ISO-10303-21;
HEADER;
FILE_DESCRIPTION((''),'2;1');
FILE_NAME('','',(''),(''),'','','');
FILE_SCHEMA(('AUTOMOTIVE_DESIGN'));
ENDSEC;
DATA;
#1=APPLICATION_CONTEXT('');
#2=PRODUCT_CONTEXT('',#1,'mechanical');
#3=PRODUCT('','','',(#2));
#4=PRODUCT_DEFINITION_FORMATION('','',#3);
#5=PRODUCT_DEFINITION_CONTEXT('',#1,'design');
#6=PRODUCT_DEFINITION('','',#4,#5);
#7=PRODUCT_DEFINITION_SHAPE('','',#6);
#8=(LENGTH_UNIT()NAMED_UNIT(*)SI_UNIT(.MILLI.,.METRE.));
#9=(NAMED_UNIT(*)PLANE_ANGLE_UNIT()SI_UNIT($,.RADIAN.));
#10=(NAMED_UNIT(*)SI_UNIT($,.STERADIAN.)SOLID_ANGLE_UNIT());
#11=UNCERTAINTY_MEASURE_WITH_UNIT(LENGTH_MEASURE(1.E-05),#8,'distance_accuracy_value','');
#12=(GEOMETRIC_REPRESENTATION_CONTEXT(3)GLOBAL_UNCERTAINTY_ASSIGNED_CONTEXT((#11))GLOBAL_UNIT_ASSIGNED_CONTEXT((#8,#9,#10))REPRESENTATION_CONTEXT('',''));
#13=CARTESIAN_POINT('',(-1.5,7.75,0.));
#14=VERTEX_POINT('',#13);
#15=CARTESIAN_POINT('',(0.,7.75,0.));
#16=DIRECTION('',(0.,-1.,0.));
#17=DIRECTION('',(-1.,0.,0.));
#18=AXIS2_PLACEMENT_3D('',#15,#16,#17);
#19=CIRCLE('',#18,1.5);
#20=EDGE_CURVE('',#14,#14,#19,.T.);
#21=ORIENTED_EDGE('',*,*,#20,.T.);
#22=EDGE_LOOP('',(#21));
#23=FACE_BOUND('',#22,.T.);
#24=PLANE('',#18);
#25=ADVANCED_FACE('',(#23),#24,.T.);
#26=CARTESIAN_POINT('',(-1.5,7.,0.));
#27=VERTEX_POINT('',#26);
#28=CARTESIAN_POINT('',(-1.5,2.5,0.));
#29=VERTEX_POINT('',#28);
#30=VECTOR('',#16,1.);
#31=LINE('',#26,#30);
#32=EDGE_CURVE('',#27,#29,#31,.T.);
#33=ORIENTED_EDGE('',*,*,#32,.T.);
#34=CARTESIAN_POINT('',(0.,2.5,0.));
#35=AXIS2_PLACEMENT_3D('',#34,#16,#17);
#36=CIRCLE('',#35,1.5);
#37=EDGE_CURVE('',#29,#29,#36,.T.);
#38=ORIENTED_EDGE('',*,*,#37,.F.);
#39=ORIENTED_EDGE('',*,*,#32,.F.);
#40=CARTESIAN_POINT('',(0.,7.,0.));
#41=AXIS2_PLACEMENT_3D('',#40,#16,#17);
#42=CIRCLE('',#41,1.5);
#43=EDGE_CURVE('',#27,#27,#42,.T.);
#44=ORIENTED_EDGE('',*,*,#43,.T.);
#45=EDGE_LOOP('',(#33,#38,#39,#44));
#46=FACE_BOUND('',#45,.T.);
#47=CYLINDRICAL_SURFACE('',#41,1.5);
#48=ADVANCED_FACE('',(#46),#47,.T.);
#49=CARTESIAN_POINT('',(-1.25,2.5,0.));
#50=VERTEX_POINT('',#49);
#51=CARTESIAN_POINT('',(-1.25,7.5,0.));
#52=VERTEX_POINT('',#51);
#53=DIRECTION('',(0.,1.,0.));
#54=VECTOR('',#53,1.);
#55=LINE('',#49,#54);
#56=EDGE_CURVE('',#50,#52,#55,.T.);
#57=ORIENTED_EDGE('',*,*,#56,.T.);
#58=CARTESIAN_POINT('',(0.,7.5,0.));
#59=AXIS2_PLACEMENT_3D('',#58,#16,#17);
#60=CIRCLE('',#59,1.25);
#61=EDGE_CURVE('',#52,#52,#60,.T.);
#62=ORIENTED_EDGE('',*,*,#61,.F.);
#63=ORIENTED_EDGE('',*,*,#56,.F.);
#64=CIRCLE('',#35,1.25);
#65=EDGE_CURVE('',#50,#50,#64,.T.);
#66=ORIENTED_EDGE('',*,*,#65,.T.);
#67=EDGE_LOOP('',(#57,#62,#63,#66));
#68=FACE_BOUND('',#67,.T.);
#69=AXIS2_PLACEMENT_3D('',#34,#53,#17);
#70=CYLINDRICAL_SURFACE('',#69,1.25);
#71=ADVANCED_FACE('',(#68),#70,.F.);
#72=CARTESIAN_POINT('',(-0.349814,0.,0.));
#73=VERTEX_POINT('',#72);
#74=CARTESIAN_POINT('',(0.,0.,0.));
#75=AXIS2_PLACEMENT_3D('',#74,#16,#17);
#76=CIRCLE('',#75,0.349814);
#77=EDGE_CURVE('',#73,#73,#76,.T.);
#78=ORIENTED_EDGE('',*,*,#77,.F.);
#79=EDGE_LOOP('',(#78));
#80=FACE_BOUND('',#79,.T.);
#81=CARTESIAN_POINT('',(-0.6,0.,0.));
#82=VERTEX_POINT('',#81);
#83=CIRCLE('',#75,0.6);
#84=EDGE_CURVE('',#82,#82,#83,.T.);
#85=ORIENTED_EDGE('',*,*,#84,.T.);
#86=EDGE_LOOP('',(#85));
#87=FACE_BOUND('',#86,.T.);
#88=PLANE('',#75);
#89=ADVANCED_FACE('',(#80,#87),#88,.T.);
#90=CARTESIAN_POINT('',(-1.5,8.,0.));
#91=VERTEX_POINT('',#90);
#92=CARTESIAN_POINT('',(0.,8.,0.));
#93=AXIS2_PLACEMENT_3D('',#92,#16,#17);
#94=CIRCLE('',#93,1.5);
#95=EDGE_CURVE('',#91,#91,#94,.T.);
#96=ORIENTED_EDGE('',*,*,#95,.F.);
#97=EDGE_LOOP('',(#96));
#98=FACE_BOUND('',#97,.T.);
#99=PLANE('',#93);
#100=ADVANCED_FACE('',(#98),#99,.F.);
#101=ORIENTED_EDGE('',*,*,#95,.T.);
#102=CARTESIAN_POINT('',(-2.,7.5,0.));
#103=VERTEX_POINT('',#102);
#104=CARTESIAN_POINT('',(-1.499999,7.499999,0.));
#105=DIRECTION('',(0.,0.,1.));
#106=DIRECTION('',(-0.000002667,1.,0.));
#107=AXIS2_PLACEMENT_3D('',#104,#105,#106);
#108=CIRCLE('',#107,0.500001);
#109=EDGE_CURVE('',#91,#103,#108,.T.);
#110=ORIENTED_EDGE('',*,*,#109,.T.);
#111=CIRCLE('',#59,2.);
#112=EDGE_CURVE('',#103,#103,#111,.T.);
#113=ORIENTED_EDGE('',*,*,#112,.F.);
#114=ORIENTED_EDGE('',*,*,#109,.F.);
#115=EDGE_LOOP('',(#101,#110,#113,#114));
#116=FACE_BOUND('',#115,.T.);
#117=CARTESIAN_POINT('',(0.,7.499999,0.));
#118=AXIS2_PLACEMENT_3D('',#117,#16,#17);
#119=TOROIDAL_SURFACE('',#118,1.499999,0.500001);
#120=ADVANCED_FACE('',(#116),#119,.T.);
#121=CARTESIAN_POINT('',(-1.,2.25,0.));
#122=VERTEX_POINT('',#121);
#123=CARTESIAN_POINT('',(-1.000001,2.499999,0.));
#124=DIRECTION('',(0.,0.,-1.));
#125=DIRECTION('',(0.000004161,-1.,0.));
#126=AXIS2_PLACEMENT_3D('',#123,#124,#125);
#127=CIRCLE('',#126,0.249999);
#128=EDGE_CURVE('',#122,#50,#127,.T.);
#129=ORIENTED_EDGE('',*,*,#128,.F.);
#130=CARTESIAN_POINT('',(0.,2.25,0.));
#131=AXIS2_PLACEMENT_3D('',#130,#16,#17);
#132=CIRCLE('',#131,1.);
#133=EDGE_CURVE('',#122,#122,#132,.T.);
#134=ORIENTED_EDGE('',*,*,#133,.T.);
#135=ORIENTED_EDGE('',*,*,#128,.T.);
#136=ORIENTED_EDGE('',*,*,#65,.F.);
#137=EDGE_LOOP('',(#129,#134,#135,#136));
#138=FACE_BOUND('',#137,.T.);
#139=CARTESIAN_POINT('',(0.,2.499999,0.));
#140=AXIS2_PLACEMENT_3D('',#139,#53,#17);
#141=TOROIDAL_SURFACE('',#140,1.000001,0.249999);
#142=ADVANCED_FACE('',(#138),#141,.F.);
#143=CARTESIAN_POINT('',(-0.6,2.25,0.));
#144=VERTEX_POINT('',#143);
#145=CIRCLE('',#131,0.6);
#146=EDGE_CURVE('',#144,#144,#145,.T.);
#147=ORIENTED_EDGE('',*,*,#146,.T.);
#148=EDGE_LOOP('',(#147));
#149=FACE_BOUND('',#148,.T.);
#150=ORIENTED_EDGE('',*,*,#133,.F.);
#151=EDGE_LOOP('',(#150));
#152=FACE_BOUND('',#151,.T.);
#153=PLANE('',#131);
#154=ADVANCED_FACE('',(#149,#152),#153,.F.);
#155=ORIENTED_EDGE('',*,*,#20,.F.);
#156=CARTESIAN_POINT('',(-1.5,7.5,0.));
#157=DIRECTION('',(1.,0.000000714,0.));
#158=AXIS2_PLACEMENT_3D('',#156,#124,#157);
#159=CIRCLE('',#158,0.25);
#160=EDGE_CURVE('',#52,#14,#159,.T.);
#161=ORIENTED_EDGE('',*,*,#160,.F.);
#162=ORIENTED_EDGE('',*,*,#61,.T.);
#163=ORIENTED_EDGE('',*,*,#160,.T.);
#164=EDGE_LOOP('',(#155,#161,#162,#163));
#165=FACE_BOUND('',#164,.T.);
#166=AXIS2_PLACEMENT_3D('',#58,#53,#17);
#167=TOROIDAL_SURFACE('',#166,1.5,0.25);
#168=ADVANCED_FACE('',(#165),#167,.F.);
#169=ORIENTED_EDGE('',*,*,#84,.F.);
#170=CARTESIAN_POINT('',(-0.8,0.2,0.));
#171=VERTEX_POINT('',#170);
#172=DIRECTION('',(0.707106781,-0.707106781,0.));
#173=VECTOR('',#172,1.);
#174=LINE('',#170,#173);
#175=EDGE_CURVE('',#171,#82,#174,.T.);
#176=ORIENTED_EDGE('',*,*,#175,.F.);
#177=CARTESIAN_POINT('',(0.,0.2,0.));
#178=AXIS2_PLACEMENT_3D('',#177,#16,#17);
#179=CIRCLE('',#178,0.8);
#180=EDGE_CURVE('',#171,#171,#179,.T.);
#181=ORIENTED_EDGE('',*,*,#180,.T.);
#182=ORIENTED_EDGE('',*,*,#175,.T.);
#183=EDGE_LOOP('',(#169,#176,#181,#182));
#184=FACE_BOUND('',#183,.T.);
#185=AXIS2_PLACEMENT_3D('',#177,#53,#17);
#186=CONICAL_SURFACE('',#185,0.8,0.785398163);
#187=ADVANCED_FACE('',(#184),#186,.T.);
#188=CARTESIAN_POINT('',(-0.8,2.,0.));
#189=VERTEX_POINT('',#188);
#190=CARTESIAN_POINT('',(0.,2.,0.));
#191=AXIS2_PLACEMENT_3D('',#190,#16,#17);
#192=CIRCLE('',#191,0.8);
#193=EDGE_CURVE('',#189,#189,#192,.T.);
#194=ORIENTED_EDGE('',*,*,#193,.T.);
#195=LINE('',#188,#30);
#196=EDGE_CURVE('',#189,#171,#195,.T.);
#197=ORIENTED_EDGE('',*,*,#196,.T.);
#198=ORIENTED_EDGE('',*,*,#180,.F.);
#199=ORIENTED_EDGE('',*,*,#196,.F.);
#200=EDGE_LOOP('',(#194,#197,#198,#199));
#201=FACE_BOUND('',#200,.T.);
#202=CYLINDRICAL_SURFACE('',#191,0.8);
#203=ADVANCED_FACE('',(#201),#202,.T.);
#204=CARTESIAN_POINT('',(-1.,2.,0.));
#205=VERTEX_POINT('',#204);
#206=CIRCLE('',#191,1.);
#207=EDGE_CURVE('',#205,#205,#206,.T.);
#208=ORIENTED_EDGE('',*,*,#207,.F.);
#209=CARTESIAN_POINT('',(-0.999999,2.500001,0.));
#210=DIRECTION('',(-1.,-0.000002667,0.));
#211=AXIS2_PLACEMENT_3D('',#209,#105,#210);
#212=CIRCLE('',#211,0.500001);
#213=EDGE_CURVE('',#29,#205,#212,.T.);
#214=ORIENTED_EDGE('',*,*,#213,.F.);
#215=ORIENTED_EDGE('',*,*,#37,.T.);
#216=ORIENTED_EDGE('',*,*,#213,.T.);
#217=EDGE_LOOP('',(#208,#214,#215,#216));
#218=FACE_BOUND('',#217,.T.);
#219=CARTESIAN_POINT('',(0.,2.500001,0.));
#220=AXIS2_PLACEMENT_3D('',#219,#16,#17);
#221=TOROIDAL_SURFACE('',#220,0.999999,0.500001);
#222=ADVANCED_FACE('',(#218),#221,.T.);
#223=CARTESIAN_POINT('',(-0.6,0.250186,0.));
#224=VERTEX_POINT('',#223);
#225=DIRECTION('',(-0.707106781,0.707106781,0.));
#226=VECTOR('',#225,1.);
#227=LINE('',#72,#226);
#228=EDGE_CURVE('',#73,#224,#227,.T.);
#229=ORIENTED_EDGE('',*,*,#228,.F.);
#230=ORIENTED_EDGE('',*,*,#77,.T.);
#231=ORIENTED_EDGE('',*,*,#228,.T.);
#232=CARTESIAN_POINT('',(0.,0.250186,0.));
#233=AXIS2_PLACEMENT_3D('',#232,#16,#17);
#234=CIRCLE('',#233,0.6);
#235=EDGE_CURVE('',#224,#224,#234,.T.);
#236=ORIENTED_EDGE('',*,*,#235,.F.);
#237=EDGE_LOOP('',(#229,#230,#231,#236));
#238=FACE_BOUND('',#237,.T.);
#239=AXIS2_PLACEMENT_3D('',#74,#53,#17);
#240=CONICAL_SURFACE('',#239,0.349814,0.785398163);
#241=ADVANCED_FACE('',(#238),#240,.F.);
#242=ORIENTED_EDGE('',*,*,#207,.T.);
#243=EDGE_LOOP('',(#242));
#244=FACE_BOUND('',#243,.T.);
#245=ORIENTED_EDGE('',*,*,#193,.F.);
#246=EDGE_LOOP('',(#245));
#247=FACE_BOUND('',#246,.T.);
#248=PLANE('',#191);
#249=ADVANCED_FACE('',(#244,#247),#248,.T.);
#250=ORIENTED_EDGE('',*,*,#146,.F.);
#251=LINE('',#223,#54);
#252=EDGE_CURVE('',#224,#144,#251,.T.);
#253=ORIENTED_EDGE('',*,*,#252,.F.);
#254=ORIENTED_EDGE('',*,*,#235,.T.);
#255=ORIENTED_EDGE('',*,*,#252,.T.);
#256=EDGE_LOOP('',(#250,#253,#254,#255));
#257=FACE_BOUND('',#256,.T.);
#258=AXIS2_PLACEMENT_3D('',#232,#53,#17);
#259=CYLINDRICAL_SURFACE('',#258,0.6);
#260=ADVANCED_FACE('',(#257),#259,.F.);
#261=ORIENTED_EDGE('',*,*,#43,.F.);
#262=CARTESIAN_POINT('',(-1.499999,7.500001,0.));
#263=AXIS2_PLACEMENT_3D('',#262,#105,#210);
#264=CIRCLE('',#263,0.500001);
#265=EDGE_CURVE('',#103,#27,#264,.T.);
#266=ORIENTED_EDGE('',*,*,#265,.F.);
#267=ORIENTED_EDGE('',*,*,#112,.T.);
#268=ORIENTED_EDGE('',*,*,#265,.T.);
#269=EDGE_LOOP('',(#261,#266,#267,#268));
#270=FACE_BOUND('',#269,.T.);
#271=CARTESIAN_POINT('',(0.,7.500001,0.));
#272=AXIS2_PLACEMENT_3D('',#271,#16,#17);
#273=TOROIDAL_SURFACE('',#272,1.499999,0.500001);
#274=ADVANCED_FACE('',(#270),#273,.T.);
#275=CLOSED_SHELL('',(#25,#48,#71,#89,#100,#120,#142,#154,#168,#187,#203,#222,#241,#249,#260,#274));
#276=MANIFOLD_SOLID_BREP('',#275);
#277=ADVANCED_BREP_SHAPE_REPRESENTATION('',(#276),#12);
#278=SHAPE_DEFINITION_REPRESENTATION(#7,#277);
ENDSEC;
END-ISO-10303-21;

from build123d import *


with BuildPart() as f1:
    # F0 (on Top) → F1 (revolve)
    with BuildSketch(Plane.XY):
        with BuildLine():
            Line((-0.6, 0), (-0.349814, 0))
            Line((-0.349814, 0), (-0.6, 0.250186))
            Line((-0.6, 0.250186), (-0.6, 2))
            Line((-0.6, 2), (-0.6, 2.25))
            Line((-0.6, 2.25), (-1, 2.25))
            ThreePointArc((-1, 2.25), (-1.176777, 2.323223), (-1.25, 2.5))
            Line((-1.25, 2.5), (-1.25, 7))
            Line((-1.25, 7), (-1.25, 7.5))
            ThreePointArc((-1.25, 7.5), (-1.676777, 7.323223), (-1.5, 7.75))
            Line((-1.5, 7.75), (0, 7.75))
            Line((0, 7.75), (0, 8))
            Line((0, 8), (-1.5, 8))
            ThreePointArc((-1.5, 8), (-1.853553, 7.853553), (-2, 7.5))
            ThreePointArc((-2, 7.5), (-1.853553, 7.146447), (-1.5, 7))
            Line((-1.5, 7), (-1.5, 2.5))
            ThreePointArc((-1.5, 2.5), (-1.353553, 2.146447), (-1, 2))
            Line((-1, 2), (-0.8, 2))
            Line((-0.8, 2), (-0.8, 0.2))
            Line((-0.8, 0.2), (-0.6, 0))
        make_face()
    revolve(axis=Axis((0, 4.145694, 0), (0, -1, 0)))


solid = f1.part
